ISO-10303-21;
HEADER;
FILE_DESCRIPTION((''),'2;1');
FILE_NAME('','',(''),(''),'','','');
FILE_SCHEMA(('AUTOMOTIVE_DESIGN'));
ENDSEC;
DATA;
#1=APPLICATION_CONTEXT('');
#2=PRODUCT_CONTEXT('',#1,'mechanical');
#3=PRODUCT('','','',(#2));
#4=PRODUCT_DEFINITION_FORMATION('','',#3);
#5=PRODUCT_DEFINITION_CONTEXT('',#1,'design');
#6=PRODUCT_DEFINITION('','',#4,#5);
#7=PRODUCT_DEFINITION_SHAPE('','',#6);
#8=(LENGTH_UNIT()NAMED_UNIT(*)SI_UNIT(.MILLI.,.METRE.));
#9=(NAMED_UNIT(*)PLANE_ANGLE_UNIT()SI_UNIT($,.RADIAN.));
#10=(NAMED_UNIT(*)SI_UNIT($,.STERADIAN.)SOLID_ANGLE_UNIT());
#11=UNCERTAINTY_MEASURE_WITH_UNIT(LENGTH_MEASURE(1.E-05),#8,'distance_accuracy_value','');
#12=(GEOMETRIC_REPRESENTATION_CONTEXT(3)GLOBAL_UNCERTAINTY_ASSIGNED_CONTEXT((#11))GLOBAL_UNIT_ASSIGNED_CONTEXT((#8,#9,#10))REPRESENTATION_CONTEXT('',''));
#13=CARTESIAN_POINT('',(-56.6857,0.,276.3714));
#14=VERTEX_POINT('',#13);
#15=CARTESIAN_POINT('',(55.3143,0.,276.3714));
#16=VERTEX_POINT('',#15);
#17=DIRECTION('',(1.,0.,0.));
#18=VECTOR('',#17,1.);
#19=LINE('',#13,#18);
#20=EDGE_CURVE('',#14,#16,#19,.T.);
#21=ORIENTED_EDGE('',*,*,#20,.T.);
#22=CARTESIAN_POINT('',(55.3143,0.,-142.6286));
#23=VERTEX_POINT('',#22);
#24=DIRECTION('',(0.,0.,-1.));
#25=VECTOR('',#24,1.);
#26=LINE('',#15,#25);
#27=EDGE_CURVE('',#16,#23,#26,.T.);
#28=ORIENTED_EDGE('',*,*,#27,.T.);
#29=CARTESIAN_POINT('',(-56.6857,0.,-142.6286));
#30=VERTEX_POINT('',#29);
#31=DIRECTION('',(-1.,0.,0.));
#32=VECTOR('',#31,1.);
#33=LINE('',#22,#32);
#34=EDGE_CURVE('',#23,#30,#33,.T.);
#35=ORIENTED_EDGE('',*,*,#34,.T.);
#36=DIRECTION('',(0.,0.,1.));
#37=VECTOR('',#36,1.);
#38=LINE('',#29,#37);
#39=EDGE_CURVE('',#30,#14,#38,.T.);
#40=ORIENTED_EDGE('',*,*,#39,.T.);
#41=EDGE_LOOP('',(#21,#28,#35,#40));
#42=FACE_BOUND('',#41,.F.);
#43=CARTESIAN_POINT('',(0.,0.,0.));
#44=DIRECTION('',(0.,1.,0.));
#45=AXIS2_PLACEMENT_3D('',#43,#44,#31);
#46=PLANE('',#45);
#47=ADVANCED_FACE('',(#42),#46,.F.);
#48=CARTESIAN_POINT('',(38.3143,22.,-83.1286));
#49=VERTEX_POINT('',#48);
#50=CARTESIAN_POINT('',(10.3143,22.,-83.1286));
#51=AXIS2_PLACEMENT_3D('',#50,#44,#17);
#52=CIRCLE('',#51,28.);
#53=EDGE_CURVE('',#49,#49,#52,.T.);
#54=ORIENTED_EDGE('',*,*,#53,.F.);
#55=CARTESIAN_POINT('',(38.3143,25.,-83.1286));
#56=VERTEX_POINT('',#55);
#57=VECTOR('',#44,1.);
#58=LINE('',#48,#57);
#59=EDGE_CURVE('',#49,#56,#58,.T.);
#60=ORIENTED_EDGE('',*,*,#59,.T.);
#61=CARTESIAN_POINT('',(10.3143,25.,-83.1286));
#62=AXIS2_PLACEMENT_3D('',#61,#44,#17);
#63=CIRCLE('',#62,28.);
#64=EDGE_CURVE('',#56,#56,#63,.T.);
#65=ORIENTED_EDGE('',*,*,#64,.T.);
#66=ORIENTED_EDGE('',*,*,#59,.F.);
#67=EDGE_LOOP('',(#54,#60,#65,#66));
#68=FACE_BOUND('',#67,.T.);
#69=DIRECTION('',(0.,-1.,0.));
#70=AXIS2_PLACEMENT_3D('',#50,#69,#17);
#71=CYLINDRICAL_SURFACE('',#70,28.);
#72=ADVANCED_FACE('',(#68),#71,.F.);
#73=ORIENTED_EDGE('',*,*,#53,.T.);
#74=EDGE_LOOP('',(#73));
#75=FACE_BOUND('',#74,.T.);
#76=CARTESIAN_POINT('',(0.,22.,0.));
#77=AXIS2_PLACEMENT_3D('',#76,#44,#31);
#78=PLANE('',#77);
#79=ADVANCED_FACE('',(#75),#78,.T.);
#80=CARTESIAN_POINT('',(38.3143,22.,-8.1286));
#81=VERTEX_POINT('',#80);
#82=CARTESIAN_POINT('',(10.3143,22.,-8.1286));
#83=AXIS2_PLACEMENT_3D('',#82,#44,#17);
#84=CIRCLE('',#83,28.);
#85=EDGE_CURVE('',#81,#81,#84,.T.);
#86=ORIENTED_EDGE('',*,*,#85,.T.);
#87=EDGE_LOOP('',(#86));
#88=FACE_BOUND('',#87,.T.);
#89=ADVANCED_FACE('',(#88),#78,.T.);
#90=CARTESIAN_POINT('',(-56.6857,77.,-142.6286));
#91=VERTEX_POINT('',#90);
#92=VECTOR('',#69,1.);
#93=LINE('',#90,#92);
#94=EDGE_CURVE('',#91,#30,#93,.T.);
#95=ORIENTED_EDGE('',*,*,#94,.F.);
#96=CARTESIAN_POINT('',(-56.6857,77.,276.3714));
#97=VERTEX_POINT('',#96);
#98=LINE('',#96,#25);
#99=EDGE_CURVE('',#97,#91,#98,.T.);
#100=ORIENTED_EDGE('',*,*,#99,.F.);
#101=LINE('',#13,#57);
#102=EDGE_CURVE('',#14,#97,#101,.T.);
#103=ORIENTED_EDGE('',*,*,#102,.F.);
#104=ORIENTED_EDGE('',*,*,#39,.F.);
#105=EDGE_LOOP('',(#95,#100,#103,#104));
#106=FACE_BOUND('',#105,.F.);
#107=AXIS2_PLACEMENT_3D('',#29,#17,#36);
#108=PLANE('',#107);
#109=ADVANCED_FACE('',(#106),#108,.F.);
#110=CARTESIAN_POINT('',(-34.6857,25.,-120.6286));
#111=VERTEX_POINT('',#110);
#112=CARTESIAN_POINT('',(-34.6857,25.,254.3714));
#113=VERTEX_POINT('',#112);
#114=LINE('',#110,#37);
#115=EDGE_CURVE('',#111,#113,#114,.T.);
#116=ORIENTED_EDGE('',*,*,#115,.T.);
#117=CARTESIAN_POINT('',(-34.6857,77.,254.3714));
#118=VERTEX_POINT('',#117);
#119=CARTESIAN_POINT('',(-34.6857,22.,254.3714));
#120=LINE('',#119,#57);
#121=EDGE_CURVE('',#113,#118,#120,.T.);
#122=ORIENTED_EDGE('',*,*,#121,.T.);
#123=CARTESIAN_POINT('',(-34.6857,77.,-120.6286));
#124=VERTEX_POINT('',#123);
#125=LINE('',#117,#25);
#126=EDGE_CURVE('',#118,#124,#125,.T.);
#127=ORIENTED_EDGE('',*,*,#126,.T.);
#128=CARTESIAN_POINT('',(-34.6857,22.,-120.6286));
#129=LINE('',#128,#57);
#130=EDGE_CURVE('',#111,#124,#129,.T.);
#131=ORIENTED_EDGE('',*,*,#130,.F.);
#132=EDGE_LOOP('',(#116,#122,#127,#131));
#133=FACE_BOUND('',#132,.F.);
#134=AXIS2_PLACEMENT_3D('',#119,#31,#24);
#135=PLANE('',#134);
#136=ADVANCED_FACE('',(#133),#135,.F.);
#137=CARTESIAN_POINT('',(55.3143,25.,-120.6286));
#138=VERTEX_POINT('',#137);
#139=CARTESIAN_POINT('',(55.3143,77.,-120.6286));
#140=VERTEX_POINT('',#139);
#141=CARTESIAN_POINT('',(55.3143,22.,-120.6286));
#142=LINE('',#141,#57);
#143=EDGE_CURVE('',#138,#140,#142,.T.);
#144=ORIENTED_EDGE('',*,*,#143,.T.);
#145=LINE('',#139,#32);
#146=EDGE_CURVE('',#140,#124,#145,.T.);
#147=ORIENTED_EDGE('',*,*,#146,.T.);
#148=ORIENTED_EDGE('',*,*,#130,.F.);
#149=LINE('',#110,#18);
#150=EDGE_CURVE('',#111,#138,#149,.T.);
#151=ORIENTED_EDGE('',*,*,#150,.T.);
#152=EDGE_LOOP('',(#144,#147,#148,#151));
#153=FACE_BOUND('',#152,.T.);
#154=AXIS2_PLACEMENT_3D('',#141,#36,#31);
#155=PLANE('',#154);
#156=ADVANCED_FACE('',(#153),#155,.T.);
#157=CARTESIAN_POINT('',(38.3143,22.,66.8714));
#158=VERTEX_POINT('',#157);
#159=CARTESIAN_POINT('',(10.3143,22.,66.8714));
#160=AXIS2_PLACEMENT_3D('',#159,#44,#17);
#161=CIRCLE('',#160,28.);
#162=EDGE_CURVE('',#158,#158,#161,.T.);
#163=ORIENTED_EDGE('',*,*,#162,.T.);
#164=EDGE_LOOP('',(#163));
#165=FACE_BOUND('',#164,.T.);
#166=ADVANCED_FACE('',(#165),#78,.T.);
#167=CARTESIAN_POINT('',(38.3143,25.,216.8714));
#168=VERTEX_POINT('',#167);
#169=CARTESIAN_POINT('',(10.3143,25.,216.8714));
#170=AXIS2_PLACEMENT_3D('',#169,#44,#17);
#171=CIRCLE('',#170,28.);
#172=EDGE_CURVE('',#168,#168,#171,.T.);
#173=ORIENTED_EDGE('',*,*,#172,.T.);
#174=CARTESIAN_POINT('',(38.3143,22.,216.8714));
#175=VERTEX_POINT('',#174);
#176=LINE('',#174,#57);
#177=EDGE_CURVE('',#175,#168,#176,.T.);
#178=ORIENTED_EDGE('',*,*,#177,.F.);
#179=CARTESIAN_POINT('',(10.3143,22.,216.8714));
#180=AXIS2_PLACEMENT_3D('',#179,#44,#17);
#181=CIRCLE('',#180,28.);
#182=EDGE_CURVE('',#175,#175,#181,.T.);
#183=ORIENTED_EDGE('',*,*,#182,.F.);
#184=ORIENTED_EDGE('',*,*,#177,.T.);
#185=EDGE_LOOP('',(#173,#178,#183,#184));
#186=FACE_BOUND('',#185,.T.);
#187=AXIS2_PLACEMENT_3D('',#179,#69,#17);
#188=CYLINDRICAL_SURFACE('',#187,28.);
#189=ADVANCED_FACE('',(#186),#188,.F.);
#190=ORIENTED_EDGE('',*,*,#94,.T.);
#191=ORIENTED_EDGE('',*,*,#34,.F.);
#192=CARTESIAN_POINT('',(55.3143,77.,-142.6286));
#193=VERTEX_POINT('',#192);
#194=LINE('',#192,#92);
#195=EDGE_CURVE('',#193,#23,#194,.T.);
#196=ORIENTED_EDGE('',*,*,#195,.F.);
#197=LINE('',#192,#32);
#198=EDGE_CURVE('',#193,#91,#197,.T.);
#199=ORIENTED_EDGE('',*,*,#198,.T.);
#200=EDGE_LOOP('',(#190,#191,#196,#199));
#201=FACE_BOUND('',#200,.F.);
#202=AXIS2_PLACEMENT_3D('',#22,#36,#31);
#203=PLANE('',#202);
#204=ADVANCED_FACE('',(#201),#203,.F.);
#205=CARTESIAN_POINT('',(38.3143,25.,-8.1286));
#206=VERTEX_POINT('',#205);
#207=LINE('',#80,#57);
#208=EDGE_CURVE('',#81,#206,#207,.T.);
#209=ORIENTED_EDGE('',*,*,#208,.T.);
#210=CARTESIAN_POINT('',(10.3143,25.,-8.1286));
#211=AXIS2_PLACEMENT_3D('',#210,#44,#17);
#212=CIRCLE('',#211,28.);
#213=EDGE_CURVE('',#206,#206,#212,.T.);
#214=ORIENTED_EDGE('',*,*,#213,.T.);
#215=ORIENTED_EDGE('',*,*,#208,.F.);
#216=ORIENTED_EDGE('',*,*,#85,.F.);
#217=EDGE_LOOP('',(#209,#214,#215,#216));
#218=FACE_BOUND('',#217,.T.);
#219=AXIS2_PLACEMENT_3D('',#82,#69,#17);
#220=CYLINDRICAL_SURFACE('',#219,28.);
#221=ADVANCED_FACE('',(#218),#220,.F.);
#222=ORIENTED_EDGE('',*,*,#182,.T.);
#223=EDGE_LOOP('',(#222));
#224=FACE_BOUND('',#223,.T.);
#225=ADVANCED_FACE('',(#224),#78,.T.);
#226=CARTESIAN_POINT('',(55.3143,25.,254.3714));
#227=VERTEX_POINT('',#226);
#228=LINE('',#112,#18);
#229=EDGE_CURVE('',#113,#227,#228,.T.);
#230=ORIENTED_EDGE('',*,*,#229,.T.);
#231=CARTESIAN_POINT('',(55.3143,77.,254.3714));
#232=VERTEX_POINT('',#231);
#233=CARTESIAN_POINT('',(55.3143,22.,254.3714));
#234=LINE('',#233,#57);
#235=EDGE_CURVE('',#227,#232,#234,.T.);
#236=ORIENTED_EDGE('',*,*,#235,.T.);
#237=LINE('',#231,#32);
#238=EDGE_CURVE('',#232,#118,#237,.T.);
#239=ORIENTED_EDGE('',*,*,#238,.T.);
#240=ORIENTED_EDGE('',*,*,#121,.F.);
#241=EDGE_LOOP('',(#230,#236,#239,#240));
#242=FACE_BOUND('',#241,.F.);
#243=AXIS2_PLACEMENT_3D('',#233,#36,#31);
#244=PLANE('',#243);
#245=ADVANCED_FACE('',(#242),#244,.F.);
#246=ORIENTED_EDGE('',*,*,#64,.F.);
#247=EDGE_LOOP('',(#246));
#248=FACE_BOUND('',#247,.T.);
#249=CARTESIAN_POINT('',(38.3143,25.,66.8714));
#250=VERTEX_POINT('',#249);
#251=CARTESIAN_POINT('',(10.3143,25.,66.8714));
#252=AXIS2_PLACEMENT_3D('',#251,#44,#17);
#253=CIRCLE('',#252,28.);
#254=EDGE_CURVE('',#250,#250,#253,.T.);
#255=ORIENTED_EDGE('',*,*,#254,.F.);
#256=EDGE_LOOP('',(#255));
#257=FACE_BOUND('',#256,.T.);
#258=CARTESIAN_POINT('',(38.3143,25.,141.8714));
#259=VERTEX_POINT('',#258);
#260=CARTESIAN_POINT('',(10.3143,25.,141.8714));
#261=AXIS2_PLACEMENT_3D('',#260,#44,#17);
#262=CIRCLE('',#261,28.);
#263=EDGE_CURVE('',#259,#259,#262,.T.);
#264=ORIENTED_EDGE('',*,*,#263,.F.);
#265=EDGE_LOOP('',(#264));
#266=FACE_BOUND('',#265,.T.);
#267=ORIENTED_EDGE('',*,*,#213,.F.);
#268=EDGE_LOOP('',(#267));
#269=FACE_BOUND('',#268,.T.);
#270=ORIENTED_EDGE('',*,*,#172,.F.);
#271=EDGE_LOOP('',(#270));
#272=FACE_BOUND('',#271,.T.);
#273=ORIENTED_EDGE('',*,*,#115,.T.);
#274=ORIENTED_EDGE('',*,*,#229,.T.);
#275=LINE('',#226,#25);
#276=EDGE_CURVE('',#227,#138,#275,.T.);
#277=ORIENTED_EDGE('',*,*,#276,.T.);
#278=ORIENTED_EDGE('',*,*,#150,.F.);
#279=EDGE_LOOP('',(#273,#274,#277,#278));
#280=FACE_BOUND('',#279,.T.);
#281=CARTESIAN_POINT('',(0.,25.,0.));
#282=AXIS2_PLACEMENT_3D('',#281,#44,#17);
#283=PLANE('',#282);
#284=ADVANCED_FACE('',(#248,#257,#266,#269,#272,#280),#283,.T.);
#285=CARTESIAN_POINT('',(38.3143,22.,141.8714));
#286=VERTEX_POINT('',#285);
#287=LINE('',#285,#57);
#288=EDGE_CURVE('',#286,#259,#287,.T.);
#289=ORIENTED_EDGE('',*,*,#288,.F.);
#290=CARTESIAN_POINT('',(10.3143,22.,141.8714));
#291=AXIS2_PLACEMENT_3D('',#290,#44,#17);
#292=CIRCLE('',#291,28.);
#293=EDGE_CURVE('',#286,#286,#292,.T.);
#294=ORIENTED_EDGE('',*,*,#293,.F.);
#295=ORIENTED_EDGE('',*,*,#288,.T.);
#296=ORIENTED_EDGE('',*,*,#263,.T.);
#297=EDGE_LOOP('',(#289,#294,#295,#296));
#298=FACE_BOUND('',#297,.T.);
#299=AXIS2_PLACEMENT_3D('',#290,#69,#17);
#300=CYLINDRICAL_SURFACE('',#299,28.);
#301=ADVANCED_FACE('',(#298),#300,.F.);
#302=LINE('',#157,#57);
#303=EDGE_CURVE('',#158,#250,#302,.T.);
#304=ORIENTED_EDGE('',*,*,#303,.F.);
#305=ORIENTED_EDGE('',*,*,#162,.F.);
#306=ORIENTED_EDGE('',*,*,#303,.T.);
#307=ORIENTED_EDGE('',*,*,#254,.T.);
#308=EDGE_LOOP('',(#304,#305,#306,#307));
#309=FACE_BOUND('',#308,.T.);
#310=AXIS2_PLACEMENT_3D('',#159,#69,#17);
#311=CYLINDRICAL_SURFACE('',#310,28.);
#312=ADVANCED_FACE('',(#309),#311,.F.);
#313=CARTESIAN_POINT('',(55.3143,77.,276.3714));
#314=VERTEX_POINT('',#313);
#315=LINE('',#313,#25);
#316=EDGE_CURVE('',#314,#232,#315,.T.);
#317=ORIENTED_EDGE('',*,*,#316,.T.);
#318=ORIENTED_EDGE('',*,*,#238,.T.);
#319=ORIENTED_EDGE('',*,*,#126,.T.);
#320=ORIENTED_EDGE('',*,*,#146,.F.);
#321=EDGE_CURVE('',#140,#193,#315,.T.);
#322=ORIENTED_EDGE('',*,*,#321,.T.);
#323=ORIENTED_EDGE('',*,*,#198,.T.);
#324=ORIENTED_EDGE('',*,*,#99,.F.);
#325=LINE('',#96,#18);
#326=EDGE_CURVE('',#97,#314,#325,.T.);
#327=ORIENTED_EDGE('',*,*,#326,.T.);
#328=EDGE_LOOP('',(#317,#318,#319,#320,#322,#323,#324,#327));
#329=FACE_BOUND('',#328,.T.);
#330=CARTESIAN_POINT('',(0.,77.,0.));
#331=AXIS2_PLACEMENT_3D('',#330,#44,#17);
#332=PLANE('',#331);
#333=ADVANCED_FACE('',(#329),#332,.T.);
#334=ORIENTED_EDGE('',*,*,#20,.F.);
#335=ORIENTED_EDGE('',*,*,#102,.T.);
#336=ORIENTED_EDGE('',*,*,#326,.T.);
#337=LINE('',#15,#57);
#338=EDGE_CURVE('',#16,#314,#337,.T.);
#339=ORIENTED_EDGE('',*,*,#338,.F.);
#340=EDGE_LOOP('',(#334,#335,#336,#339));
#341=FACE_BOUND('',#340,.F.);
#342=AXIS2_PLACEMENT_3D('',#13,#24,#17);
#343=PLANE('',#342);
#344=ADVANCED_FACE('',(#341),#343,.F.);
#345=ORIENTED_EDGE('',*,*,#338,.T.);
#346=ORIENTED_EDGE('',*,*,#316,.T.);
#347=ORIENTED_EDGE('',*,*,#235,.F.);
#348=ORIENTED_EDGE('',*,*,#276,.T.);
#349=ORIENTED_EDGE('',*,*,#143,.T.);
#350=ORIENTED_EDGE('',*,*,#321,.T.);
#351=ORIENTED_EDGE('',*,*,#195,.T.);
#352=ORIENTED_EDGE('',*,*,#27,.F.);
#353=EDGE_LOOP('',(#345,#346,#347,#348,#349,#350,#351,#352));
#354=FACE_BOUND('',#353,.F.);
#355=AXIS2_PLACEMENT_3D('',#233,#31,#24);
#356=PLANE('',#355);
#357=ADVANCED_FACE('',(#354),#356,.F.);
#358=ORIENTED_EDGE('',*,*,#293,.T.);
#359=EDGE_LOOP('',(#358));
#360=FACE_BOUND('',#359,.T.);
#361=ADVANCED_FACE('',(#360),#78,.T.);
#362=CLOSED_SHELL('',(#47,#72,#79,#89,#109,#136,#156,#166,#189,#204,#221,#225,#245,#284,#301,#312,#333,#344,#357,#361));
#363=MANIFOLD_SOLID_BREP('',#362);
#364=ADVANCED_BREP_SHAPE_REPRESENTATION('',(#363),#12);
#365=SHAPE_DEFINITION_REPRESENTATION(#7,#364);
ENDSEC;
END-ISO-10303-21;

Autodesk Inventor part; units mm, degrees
ref_plane "YZ Plane" through (0, 0, 0) normal (1, 0, 0) x (0, 1, 0)
ref_plane "XZ Plane" through (0, 0, 0) normal (0, 1, 0) x (-1, 0, 0)
ref_plane "XY Plane" through (0, 0, 0) normal (0, 0, 1) x (1, 0, 0)
sketch "Esquisse1" plane through (0, 0, 0) normal (0, 1, 0) x (-1, 0, 0)
  line L0 (56.6857, 276.3714) -> (-55.3143, 276.3714)
  line L1 (-55.3143, 276.3714) -> (-55.3143, -142.6286)
  line L2 (-55.3143, -142.6286) -> (56.6857, -142.6286)
  line L3 (56.6857, -142.6286) -> (56.6857, 276.3714)
  point P0 (0, 0)
  dimension "d0" = 112
  dimension "d1" = 419
extrude "Extrusion1" add sketch "Esquisse1" along normal blind 22
sketch "Esquisse2" plane through (0, 22, 0) normal (0, 1, 0) x (1, 0, 0)
  line L0 (-56.6857, 142.6286) -> (-56.6857, -276.3714) projected
  line L1 (55.3143, -276.3714) -> (55.3143, 142.6286) projected
  line L2 (-56.6857, -276.3714) -> (55.3143, -276.3714)
  line L3 (55.3143, -276.3714) -> (55.3143, -254.3714)
  line L4 (55.3143, -254.3714) -> (-56.6857, -254.3714)
  line L5 (-56.6857, -254.3714) -> (-56.6857, -276.3714)
  line L6 (55.3143, 142.6286) -> (-56.6857, 142.6286) projected
  line L7 (-56.6857, 142.6286) -> (55.3143, 142.6286)
  line L8 (55.3143, 142.6286) -> (55.3143, 120.6286)
  line L9 (55.3143, 120.6286) -> (-56.6857, 120.6286)
  line L10 (-56.6857, 120.6286) -> (-56.6857, 142.6286)
  line L11 (-56.6857, -254.3714) -> (-34.6857, -254.3714)
  line L12 (-34.6857, -254.3714) -> (-34.6857, 120.6286)
  line L13 (-34.6857, 120.6286) -> (-56.6857, 120.6286)
  line L14 (-56.6857, 120.6286) -> (-56.6857, -254.3714)
  point P0 (0, 0)
  dimension "d4" = 22
  dimension "d5" = 22
  dimension "d6" = 22
extrude "Extrusion2" add sketch "Esquisse2" along normal blind 55 contours L6 L1 L9 L0 | L9 L12 L4 L0 | L4 L1 L2 L0
sketch "Esquisse3" plane through (0, 22, 0) normal (0, 1, 0) x (1, 0, 0)
  line L0 (-34.6857, 120.6286) -> (-34.6857, -254.3714) projected
  line L1 (-34.6857, 120.6286) -> (55.3143, 120.6286) projected
  line L2 (-34.6857, -254.3714) -> (55.3143, -254.3714)
  line L3 (55.3143, -254.3714) -> (55.3143, 120.6286)
  line L4 (55.3143, 120.6286) -> (-34.6857, 120.6286)
  line L5 (-34.6857, 120.6286) -> (-34.6857, -254.3714)
  circle A0 centre (10.3143, 83.1286) radius 28
  circle A1 centre (10.3143, 8.1286) radius 28
  circle A2 centre (10.3143, -66.8714) radius 28
  circle A3 centre (10.3143, -141.8714) radius 28
  circle A4 centre (10.3143, -216.8714) radius 28
  point P0 (0, 0)
  dimension "d9" = 37.5
  dimension "d10" = 45
  dimension "d11" = 56
  dimension "d12" = 75
  dimension "d13" = 56
  dimension "d14" = 45
  dimension "d15" = 56
  dimension "d16" = 45
  dimension "d17" = 75
  dimension "d18" = 56
  dimension "d19" = 45
  dimension "d20" = 75
  dimension "d21" = 45
  dimension "d22" = 75
  dimension "d23" = 56
extrude "Extrusion3" add sketch "Esquisse3" along normal blind 3
properties part number "conteneur-boues"
